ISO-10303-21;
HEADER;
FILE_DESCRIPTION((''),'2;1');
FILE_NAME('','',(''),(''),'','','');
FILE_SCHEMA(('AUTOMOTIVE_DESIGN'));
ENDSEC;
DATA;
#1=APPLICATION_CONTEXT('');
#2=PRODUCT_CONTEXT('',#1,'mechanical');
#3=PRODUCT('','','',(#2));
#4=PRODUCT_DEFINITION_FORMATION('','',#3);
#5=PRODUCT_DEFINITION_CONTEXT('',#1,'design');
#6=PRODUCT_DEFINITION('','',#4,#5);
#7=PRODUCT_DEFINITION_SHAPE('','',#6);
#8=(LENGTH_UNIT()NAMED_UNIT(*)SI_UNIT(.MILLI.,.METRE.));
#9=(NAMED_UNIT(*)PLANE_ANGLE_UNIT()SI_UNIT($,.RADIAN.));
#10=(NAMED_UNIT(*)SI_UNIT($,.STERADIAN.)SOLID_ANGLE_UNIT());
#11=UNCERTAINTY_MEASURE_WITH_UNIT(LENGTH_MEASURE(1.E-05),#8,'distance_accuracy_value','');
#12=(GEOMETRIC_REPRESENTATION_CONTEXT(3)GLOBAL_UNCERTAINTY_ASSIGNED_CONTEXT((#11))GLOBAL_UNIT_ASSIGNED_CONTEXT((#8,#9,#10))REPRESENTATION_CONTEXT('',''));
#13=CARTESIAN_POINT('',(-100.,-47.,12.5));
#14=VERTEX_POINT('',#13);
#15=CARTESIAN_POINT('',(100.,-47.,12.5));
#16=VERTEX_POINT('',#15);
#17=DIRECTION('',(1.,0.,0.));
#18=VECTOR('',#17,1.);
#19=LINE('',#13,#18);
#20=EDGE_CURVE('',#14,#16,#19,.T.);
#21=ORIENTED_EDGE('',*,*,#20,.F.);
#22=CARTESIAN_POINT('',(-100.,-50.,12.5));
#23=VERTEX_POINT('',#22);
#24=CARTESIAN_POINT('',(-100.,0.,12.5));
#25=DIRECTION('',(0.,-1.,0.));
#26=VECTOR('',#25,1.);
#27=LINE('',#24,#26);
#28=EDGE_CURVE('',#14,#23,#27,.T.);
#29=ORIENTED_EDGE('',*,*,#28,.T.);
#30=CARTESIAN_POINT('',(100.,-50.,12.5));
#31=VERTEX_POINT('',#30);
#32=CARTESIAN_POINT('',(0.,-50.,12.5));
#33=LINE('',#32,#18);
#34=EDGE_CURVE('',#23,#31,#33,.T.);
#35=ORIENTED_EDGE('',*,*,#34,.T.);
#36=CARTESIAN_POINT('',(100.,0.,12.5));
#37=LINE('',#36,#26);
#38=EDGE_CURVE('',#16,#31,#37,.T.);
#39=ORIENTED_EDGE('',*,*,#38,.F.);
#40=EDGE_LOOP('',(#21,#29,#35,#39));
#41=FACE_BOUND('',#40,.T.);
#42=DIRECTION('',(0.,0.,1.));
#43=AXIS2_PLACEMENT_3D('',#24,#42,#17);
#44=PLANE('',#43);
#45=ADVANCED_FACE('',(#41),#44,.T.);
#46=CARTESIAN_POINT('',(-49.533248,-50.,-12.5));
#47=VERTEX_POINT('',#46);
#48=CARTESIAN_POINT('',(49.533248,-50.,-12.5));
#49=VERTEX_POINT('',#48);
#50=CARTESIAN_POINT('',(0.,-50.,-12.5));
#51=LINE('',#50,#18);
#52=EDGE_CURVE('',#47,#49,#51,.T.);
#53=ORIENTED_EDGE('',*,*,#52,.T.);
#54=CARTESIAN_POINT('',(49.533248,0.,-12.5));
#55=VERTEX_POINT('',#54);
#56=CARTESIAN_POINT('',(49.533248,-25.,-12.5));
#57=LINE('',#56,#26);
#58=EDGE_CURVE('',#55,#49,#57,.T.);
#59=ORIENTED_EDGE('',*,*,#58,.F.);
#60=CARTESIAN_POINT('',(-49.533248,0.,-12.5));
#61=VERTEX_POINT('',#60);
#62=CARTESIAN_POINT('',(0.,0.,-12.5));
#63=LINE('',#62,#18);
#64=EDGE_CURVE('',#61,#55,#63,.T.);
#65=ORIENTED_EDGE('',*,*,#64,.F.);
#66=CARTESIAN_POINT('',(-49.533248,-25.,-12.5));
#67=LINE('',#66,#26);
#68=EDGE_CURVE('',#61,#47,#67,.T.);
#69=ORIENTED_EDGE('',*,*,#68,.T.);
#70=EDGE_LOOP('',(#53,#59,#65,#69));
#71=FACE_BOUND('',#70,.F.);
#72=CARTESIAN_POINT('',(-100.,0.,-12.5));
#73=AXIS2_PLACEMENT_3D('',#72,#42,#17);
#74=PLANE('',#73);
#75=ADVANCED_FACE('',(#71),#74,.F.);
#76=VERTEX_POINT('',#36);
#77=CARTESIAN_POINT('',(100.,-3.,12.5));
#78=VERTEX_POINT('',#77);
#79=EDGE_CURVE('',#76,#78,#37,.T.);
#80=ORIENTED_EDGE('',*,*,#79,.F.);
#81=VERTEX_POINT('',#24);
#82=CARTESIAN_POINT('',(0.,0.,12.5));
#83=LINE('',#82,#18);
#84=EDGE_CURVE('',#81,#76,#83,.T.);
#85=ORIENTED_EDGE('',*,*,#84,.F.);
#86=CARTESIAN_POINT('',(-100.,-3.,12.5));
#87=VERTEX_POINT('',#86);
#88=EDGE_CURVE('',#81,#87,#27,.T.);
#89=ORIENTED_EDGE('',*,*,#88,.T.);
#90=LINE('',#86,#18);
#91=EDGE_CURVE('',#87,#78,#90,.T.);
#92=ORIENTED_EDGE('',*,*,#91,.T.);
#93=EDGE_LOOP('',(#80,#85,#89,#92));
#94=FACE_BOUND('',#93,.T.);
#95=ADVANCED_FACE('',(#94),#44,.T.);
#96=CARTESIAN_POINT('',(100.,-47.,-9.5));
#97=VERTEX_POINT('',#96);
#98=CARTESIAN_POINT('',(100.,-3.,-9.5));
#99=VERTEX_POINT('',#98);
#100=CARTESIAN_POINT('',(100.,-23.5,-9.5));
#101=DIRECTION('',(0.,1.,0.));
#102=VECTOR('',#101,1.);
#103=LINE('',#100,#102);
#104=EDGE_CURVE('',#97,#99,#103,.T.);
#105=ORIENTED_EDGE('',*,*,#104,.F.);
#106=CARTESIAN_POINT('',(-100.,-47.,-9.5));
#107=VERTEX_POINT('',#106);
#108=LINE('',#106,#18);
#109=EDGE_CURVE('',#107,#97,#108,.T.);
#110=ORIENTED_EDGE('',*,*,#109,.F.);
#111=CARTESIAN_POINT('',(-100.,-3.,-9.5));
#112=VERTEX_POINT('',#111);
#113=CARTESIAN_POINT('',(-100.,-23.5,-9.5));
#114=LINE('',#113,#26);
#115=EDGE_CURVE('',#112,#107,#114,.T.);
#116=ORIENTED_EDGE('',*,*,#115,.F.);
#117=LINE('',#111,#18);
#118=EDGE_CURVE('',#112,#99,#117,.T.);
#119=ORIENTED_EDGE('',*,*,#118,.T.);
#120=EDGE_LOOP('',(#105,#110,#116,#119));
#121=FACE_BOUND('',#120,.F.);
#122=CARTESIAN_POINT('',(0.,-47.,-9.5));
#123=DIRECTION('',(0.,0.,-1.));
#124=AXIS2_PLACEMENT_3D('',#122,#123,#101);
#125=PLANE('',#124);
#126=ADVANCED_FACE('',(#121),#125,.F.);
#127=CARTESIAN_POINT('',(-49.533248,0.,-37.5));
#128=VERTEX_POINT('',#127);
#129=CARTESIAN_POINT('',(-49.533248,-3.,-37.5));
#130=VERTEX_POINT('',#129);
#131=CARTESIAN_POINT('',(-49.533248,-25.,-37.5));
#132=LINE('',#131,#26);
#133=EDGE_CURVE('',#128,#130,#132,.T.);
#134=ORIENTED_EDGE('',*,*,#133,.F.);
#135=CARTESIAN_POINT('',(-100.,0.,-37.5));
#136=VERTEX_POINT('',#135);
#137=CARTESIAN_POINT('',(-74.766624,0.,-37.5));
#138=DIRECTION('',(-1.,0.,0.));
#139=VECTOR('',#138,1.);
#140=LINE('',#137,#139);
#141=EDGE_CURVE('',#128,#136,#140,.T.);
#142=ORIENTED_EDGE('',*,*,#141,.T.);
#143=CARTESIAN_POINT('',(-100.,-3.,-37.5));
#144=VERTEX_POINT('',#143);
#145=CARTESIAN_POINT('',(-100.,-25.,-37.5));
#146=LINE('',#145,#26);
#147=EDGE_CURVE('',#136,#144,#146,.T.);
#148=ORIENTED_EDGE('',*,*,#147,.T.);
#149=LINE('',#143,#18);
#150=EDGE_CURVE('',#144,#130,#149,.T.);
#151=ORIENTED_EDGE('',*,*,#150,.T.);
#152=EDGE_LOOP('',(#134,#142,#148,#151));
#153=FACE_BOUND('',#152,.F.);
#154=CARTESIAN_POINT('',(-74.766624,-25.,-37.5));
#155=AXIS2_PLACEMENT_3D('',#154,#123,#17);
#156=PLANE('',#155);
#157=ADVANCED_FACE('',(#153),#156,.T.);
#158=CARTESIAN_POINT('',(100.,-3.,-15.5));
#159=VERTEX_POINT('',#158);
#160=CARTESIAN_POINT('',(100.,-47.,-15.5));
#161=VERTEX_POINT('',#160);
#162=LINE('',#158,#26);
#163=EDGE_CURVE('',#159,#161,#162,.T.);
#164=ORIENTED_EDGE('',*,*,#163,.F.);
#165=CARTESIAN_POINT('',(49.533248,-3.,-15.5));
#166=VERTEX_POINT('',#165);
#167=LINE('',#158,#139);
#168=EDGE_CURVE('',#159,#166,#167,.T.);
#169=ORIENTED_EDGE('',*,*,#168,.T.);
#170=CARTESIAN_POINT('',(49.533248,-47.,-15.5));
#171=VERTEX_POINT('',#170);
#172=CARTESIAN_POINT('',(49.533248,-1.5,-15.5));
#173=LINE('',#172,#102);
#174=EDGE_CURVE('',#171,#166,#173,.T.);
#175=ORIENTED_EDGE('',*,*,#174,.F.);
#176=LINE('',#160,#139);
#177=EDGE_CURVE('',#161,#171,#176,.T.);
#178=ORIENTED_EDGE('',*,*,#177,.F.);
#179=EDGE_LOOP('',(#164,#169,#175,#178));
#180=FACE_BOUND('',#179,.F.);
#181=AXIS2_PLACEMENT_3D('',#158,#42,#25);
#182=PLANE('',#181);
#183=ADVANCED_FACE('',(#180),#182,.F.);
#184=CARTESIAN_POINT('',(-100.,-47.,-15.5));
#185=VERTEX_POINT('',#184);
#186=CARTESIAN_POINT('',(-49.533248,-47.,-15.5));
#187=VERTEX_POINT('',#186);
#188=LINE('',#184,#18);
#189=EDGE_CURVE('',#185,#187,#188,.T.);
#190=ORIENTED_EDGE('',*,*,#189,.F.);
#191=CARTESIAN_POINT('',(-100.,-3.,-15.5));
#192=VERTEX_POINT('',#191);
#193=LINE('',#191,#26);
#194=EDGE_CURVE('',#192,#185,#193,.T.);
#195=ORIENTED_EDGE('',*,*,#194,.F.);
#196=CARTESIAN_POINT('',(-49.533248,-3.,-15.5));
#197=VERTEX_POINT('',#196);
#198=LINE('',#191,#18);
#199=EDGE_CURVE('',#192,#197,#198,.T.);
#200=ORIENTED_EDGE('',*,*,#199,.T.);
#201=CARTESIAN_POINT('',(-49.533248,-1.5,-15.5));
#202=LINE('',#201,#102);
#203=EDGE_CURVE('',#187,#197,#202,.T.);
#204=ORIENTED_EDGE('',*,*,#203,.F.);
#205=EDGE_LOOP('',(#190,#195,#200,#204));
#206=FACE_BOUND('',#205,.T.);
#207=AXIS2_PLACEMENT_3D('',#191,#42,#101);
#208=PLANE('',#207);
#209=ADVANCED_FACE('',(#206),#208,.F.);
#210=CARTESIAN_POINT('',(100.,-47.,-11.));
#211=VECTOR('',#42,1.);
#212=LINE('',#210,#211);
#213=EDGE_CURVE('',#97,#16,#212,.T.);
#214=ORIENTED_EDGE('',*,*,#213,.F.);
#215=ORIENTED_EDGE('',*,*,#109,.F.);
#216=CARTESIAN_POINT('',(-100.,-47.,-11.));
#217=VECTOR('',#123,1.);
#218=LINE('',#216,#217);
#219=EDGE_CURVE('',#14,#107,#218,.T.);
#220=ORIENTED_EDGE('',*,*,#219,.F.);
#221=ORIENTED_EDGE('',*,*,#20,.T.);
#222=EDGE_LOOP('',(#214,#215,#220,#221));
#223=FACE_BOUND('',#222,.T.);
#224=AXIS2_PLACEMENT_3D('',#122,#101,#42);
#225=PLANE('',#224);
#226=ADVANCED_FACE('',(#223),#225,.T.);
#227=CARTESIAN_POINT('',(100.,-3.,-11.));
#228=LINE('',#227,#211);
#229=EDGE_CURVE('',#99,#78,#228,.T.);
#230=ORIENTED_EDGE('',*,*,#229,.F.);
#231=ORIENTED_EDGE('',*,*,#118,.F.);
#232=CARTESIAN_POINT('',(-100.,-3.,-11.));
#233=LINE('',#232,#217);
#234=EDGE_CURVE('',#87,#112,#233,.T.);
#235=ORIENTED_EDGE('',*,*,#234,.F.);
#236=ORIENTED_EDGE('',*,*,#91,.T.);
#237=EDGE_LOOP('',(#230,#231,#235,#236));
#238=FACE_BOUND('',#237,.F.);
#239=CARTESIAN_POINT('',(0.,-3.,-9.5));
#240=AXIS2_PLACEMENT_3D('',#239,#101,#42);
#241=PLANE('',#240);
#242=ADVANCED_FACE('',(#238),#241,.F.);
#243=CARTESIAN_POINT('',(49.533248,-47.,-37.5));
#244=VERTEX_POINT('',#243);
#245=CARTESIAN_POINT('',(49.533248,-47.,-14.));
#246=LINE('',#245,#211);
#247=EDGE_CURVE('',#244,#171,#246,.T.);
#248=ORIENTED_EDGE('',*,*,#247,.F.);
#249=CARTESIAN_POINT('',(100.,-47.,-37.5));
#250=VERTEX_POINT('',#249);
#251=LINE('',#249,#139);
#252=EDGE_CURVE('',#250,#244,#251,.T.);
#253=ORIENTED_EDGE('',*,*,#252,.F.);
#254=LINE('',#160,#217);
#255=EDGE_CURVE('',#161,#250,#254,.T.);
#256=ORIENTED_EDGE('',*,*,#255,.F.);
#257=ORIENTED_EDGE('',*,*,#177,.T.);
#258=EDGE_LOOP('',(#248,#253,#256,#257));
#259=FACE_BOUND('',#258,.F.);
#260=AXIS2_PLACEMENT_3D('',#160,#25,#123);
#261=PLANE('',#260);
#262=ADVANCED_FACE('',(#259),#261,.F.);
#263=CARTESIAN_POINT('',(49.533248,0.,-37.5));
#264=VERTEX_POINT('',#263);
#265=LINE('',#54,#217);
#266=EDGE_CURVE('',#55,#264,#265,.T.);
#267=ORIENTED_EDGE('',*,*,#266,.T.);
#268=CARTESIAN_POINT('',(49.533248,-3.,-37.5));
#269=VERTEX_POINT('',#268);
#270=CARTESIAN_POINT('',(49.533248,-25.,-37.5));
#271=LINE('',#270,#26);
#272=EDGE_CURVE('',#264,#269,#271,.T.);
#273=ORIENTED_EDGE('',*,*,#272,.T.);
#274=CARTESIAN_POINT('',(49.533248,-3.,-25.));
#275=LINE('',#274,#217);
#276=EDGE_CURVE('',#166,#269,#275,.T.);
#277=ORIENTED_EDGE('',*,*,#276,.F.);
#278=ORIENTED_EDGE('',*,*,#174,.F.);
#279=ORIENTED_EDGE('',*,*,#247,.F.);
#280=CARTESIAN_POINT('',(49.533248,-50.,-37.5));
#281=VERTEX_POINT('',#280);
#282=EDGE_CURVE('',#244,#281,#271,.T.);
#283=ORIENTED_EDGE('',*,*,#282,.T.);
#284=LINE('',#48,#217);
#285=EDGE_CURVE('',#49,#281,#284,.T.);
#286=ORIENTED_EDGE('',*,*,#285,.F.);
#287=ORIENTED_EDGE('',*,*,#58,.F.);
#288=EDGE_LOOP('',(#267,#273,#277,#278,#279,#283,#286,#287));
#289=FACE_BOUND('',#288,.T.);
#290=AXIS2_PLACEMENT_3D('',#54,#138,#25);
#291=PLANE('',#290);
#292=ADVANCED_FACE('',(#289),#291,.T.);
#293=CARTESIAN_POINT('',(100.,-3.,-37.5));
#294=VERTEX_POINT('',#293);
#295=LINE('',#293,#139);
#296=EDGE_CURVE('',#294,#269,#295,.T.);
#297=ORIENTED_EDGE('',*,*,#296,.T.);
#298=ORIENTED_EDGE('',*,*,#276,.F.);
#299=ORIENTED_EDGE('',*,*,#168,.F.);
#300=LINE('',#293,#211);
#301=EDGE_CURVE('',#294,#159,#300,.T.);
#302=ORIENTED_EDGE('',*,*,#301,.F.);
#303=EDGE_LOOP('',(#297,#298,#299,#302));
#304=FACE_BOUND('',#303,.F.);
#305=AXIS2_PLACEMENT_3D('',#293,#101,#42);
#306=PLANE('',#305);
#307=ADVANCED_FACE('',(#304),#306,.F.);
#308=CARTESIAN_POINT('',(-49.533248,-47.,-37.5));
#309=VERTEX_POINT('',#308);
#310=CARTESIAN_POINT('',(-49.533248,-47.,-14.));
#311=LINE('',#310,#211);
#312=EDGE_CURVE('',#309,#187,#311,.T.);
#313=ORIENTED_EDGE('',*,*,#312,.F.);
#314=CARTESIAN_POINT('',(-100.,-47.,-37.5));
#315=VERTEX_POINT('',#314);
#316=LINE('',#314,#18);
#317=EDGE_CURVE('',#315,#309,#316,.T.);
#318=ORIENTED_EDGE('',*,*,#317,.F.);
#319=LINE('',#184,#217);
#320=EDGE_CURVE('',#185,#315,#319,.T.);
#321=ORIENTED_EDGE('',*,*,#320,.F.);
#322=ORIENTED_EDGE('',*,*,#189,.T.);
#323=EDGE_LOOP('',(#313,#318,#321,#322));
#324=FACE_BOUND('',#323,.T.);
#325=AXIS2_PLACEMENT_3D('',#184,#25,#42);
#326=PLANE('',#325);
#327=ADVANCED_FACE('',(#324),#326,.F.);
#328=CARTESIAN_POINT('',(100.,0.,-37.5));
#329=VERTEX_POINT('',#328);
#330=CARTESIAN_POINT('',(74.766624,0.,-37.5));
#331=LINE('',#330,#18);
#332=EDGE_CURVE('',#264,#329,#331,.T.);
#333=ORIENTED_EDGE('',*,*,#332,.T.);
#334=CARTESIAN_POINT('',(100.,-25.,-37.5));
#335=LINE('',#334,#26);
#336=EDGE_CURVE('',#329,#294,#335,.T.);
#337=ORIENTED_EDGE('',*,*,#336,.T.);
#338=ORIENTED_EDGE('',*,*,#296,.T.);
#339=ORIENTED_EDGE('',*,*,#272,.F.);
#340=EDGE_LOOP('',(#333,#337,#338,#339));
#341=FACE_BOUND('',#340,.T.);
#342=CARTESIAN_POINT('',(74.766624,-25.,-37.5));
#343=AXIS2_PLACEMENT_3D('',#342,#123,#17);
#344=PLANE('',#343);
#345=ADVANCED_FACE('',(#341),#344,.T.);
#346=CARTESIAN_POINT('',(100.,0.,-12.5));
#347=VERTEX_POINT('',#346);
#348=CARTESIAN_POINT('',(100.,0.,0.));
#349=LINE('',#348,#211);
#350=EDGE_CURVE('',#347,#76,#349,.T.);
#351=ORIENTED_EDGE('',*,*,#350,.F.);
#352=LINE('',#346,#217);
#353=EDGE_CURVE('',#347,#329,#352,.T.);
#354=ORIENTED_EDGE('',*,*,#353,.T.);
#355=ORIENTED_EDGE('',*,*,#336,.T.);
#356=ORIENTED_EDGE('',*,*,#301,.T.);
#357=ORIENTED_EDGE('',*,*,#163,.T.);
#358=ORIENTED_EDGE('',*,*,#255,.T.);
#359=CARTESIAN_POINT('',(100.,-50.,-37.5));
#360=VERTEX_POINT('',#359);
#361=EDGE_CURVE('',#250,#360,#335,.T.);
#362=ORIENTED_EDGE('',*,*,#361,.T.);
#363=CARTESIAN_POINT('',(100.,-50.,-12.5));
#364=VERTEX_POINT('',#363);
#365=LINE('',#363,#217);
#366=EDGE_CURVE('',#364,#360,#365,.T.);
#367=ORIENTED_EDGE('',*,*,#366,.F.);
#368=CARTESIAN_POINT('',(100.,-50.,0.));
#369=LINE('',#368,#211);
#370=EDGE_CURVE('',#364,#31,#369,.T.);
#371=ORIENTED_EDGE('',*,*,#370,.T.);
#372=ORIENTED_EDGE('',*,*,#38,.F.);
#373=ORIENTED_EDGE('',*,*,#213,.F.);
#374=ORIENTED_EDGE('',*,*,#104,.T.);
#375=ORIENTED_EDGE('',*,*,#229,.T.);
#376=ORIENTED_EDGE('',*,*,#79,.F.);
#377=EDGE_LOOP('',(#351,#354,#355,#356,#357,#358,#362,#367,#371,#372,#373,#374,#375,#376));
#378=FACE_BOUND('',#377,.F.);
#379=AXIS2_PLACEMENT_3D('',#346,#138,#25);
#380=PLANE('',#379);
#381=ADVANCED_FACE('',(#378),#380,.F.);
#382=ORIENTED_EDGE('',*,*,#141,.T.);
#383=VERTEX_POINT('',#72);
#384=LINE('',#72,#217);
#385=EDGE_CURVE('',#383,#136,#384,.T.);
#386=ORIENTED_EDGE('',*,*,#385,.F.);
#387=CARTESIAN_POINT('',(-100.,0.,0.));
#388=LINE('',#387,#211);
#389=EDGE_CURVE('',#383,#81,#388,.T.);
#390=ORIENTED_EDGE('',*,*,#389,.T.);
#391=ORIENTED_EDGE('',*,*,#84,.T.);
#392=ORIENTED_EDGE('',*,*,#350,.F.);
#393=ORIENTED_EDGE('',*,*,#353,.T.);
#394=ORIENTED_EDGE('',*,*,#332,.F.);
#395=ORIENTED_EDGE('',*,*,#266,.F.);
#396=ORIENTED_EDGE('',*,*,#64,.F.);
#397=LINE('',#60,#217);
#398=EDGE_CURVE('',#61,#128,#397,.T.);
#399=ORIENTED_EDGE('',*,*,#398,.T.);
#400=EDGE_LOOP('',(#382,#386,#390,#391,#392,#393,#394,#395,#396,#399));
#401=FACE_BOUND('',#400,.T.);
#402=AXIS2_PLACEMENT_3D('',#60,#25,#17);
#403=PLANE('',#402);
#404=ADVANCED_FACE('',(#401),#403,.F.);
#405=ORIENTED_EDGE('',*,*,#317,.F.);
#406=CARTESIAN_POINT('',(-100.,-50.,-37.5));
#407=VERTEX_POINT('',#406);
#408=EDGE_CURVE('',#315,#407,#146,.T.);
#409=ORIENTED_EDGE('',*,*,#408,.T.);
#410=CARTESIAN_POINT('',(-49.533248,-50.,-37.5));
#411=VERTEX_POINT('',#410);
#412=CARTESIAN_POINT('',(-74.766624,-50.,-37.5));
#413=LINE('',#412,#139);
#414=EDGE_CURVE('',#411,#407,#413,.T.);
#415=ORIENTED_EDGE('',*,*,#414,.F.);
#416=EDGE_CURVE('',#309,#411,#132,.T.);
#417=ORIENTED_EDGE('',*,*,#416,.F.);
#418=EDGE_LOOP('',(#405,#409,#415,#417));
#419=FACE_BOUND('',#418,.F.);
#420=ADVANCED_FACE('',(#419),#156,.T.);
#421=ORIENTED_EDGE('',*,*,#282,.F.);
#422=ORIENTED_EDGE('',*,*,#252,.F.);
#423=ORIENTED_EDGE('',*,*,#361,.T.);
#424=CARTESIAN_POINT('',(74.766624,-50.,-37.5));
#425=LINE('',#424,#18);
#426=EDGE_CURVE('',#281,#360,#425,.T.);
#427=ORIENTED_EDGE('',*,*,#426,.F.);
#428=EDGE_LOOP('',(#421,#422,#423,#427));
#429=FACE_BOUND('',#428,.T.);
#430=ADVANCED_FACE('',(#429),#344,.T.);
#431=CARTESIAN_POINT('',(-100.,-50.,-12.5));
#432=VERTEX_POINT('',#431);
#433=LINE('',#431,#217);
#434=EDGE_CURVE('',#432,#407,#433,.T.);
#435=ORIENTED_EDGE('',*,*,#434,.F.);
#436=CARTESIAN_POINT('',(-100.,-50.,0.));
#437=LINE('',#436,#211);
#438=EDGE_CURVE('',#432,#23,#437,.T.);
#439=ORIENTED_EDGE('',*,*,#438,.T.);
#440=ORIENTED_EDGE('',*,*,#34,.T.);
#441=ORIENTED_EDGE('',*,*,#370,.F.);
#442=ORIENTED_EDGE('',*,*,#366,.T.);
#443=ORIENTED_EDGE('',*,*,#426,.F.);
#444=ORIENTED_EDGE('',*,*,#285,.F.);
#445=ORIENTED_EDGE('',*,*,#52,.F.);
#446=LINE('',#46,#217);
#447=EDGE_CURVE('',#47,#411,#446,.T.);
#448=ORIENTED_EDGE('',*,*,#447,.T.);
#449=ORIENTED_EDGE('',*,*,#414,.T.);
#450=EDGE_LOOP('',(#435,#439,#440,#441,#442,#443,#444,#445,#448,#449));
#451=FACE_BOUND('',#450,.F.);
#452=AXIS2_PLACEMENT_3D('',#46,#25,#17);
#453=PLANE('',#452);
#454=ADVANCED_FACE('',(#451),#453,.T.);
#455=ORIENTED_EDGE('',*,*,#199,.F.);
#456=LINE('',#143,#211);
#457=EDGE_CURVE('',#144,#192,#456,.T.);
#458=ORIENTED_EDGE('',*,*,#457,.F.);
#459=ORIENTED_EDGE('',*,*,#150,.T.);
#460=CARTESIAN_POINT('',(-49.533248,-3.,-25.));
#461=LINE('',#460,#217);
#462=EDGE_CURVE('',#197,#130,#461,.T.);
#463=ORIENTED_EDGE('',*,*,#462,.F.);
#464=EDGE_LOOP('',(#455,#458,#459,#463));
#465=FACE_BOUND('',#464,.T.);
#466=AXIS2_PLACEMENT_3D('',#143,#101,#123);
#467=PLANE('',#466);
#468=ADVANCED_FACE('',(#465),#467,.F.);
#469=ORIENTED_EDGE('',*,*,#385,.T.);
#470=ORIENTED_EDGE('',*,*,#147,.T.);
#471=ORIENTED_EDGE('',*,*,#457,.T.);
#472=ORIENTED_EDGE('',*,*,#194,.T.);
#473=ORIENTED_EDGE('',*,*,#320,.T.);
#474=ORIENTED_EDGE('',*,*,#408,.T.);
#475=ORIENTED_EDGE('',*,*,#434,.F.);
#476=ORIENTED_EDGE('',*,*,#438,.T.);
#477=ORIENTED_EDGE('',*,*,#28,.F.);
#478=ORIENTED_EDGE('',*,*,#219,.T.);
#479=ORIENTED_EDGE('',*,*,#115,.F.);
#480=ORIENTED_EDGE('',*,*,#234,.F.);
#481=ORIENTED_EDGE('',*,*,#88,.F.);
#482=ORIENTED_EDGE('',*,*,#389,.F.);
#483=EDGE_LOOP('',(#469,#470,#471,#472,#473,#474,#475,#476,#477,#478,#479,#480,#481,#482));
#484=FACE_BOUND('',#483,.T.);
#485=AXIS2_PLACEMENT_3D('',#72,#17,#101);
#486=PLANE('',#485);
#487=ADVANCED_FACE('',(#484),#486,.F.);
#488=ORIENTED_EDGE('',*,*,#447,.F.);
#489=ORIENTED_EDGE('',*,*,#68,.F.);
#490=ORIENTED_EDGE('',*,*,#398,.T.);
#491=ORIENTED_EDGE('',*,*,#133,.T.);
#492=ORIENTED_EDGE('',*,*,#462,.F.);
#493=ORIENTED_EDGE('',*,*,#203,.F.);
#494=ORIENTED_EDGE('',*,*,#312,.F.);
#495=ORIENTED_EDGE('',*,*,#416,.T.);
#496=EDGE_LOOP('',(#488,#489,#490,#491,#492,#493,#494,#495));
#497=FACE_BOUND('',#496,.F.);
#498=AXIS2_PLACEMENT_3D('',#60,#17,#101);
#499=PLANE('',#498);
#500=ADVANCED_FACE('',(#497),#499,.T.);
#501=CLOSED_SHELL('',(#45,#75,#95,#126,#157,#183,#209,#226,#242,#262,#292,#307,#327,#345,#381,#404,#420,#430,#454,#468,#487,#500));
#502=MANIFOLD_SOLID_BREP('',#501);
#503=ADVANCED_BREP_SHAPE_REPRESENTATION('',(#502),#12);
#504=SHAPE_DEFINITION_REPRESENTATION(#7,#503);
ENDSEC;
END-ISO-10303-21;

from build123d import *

# Parameters (mm, degrees)
F0_W     = 200
F0_H     = 25
F1_DEPTH = 50
F2_W     = 44
F2_H     = 22
F3_DEPTH = 100.001
F4_DEPTH = 100.001
F5_W     = 50.4667520523
F5_H     = 50
F6_DEPTH = 25
F8_DEPTH = 200.001


with BuildPart() as f1:
    # F0 (on Front) → F1 (new body)
    with BuildSketch(Plane.XZ):
        Rectangle(F0_W, F0_H)
    extrude(amount=F1_DEPTH)

    # F2 (on Right) → F3 (cut, through all)
    with BuildSketch(Plane.YZ):
        with Locations((-25, 1.5)):
            Rectangle(F2_W, F2_H)
    extrude(amount=F3_DEPTH, mode=Mode.SUBTRACT)

    # F2 (on Right) → F4 (cut, through all)
    with BuildSketch(Plane.YZ):
        with Locations((-25, 1.5)):
            Rectangle(F2_W, F2_H)
    extrude(amount=-F4_DEPTH, mode=Mode.SUBTRACT)

    # F5 (on face) → F6 (join)
    with BuildSketch(Plane(origin=(0, 0, -12.5), x_dir=(1, 0, 0), z_dir=(0, 0, -1))):
        with Locations((74.7666239738, 25)):
            Rectangle(F5_W, F5_H)
    extrude(amount=F6_DEPTH)

    # F7 (on face) → F8 (cut, through all)
    with BuildSketch(Plane.YZ.offset(100)):
        Polygon((-47, -31.9465436041), (-47, -37.5), (-3, -37.5), (-3, -31.9465436041), (-3, -15.5), (-24.8005185276, -15.5), (-47, -15.5), align=None)
    extrude(amount=-F8_DEPTH, mode=Mode.SUBTRACT)

    # F9: F1 across plane


with BuildPart() as f1_1:
    add(f1.part)
    add(f1.part.mirror(Plane.YZ))


solid = f1_1.part
